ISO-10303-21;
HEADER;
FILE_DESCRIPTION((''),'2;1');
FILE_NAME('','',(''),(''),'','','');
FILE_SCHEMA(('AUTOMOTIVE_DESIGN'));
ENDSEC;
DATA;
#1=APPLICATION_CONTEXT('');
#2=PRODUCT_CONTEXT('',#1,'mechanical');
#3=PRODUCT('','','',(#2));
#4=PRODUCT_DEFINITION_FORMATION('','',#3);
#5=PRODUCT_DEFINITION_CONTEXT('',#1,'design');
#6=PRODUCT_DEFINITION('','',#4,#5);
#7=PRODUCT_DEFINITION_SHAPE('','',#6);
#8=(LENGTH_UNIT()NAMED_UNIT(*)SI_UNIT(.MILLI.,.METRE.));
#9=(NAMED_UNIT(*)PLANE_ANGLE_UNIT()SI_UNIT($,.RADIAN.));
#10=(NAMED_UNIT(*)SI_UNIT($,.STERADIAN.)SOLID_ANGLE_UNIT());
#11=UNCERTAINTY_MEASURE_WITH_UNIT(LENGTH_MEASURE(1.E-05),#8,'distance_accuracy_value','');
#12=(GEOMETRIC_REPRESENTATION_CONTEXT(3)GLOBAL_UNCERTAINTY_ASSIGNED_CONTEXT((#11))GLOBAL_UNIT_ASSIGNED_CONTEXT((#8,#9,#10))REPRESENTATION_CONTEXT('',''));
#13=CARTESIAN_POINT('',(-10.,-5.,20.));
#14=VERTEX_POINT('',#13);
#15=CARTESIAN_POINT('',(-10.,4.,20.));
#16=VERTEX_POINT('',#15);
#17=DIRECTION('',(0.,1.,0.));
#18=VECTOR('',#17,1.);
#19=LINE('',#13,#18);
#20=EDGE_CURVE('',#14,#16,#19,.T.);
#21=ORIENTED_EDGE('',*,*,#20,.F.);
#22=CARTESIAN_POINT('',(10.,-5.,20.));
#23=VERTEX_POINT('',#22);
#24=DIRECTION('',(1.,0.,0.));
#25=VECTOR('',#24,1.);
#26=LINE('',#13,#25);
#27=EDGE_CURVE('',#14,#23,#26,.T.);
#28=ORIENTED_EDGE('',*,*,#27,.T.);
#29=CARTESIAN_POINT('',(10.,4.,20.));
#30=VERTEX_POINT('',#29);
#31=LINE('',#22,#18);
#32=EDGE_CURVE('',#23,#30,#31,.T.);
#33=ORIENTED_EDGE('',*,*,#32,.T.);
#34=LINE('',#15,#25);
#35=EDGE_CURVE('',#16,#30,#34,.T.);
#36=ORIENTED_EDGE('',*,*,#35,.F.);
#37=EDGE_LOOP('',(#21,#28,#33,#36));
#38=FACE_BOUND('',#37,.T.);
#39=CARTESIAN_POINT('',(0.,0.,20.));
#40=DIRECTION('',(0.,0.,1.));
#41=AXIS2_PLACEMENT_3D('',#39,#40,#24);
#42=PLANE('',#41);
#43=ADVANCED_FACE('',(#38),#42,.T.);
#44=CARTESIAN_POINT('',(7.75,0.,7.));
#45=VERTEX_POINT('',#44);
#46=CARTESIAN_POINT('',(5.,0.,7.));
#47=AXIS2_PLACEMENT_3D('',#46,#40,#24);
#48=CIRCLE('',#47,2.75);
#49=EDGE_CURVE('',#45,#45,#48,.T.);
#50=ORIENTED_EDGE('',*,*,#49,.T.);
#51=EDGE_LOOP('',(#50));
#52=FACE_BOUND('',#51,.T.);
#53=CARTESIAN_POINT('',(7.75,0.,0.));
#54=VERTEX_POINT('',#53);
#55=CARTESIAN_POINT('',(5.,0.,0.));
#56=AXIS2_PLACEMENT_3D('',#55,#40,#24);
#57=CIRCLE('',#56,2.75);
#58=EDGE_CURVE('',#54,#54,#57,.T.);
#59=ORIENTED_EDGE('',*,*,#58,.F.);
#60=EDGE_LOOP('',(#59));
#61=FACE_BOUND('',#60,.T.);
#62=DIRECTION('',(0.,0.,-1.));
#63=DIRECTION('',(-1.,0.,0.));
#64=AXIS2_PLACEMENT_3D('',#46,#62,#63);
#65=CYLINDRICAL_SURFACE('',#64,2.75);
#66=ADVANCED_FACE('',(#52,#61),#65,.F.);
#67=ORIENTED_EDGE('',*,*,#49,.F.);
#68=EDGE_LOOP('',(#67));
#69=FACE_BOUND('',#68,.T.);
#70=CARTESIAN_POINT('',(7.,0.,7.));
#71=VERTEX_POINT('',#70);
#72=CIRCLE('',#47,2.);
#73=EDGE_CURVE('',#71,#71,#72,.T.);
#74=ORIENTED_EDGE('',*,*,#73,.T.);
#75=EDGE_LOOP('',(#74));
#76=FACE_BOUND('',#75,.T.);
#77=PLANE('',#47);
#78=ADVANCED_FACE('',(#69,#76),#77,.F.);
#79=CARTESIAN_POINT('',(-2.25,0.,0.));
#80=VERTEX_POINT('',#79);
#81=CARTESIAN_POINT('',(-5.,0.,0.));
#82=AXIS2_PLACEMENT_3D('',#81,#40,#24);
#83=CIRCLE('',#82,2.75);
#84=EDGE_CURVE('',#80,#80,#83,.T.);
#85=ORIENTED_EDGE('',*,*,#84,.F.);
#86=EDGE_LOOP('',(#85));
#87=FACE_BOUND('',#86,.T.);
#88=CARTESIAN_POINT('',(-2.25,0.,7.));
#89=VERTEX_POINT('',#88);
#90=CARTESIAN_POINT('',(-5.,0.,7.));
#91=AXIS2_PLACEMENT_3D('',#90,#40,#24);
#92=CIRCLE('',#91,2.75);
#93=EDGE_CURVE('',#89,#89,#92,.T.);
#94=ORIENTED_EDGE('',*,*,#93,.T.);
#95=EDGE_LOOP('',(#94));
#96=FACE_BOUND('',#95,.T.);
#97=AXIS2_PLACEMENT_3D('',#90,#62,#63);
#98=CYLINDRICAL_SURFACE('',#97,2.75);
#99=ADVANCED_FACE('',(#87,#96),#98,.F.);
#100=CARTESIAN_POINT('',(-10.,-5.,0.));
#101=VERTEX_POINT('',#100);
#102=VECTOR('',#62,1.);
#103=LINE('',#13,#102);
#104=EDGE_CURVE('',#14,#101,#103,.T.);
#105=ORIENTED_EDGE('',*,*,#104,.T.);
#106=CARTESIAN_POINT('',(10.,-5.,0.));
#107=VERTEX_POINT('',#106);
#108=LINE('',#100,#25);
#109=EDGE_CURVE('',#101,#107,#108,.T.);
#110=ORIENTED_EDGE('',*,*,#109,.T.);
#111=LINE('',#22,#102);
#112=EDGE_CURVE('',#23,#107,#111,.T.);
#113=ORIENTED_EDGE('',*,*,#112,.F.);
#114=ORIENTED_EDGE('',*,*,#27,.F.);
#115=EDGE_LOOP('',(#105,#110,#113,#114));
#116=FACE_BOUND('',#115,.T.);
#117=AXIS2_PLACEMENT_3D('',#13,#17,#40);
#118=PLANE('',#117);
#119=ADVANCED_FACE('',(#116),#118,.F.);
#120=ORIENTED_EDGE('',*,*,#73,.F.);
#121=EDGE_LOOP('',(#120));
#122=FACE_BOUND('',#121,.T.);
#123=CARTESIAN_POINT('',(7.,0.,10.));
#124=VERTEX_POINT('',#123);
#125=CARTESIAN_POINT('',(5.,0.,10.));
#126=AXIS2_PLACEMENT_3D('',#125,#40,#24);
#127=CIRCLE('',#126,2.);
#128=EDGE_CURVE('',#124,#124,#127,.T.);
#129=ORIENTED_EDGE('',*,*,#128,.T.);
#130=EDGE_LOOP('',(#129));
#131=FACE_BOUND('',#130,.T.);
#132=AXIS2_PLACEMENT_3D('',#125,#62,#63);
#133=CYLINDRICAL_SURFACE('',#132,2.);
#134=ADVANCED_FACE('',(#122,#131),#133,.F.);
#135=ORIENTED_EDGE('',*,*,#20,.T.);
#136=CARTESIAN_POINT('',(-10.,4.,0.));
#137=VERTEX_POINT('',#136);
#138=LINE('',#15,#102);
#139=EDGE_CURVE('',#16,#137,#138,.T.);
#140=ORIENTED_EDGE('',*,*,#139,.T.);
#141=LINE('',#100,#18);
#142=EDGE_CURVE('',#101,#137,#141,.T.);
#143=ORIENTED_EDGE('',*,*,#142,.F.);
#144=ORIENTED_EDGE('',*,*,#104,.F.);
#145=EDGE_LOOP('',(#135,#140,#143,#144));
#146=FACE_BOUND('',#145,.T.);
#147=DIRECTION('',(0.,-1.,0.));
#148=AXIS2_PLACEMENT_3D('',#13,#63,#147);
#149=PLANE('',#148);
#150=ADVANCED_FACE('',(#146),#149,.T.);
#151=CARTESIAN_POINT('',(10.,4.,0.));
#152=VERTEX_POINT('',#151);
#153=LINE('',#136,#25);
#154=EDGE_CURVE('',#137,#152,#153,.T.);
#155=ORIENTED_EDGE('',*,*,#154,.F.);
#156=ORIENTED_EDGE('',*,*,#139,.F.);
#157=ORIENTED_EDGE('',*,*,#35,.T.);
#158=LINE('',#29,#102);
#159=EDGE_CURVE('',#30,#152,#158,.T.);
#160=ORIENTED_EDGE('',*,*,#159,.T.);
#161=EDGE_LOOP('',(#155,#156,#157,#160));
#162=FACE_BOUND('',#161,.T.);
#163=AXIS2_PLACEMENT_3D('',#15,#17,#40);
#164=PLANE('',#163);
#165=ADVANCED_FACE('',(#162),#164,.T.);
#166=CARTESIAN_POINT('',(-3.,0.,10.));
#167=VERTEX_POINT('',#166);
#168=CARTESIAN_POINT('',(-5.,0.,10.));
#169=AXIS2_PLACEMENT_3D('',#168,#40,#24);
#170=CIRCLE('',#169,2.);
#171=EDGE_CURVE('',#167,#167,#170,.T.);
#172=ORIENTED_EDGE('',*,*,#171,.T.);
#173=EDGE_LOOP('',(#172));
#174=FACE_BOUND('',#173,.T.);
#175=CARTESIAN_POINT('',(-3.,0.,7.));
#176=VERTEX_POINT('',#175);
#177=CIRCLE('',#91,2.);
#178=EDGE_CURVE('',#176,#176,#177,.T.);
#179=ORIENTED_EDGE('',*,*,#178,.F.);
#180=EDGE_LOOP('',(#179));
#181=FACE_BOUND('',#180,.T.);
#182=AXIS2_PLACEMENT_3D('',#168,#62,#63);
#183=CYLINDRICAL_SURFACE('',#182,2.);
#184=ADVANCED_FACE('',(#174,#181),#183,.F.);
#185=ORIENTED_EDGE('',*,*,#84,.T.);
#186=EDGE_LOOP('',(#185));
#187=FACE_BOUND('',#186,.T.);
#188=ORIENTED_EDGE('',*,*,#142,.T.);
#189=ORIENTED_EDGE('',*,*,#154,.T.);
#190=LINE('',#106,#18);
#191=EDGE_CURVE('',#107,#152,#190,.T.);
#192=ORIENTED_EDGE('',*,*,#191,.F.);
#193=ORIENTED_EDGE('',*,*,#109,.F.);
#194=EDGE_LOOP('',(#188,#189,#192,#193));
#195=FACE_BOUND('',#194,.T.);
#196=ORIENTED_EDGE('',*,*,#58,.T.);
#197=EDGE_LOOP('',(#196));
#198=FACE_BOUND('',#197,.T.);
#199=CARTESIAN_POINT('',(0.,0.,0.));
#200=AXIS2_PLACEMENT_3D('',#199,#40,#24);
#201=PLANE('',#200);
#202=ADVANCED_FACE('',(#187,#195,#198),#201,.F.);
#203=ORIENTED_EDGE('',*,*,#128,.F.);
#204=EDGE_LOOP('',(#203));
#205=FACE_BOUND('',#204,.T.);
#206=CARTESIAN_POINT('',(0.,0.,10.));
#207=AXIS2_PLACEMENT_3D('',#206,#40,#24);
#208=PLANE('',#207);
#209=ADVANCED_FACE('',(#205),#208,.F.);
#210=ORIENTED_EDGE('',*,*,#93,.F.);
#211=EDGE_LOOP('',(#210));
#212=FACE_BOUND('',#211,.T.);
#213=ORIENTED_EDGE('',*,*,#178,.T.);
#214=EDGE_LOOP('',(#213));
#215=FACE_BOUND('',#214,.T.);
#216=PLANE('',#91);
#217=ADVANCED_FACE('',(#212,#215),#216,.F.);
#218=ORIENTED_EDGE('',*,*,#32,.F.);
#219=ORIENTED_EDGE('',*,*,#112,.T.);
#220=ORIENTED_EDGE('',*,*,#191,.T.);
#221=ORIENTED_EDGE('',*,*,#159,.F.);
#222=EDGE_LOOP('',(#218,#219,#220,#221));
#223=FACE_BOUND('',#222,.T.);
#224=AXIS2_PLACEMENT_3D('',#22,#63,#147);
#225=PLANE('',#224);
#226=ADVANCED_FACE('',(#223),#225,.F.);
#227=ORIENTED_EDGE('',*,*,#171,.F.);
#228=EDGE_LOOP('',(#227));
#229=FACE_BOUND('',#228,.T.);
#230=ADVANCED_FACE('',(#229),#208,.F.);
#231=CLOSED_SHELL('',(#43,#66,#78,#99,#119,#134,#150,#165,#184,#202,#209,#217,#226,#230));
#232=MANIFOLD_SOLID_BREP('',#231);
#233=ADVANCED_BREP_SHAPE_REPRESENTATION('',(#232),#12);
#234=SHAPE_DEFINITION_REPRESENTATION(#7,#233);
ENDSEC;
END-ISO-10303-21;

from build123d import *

# Parameters (mm, degrees)
SKETCH1_W           = 20
SKETCH1_H           = 9
BOSS_EXTRUDE1_DEPTH = 20
SKETCH1_10_R        = 2
CUT_EXTRUDE2_DEPTH  = 10
SKETCH2_R           = 2.75
CUT_EXTRUDE1_DEPTH  = 7


with BuildPart() as part:
    # Sketch1 → Boss-Extrude1 (new body)
    with BuildSketch(Plane.XY):
        with Locations((0, -0.5)):
            Rectangle(SKETCH1_W, SKETCH1_H)
    extrude(amount=BOSS_EXTRUDE1_DEPTH)

    # Sketch1<10> → Cut-Extrude2 (cut)
    with BuildSketch(Plane.XY):
        with Locations((-5, 0)):
            Circle(SKETCH1_10_R)
        with Locations((5, 0)):
            Circle(SKETCH1_10_R)
    extrude(amount=CUT_EXTRUDE2_DEPTH, mode=Mode.SUBTRACT)

    # Sketch2 → Cut-Extrude1 (cut)
    with BuildSketch(Plane.XY):
        with Locations((-5, 0)):
            Circle(SKETCH2_R)
        with Locations((5, 0)):
            Circle(SKETCH2_R)
    extrude(amount=CUT_EXTRUDE1_DEPTH, mode=Mode.SUBTRACT)


solid = part.part
